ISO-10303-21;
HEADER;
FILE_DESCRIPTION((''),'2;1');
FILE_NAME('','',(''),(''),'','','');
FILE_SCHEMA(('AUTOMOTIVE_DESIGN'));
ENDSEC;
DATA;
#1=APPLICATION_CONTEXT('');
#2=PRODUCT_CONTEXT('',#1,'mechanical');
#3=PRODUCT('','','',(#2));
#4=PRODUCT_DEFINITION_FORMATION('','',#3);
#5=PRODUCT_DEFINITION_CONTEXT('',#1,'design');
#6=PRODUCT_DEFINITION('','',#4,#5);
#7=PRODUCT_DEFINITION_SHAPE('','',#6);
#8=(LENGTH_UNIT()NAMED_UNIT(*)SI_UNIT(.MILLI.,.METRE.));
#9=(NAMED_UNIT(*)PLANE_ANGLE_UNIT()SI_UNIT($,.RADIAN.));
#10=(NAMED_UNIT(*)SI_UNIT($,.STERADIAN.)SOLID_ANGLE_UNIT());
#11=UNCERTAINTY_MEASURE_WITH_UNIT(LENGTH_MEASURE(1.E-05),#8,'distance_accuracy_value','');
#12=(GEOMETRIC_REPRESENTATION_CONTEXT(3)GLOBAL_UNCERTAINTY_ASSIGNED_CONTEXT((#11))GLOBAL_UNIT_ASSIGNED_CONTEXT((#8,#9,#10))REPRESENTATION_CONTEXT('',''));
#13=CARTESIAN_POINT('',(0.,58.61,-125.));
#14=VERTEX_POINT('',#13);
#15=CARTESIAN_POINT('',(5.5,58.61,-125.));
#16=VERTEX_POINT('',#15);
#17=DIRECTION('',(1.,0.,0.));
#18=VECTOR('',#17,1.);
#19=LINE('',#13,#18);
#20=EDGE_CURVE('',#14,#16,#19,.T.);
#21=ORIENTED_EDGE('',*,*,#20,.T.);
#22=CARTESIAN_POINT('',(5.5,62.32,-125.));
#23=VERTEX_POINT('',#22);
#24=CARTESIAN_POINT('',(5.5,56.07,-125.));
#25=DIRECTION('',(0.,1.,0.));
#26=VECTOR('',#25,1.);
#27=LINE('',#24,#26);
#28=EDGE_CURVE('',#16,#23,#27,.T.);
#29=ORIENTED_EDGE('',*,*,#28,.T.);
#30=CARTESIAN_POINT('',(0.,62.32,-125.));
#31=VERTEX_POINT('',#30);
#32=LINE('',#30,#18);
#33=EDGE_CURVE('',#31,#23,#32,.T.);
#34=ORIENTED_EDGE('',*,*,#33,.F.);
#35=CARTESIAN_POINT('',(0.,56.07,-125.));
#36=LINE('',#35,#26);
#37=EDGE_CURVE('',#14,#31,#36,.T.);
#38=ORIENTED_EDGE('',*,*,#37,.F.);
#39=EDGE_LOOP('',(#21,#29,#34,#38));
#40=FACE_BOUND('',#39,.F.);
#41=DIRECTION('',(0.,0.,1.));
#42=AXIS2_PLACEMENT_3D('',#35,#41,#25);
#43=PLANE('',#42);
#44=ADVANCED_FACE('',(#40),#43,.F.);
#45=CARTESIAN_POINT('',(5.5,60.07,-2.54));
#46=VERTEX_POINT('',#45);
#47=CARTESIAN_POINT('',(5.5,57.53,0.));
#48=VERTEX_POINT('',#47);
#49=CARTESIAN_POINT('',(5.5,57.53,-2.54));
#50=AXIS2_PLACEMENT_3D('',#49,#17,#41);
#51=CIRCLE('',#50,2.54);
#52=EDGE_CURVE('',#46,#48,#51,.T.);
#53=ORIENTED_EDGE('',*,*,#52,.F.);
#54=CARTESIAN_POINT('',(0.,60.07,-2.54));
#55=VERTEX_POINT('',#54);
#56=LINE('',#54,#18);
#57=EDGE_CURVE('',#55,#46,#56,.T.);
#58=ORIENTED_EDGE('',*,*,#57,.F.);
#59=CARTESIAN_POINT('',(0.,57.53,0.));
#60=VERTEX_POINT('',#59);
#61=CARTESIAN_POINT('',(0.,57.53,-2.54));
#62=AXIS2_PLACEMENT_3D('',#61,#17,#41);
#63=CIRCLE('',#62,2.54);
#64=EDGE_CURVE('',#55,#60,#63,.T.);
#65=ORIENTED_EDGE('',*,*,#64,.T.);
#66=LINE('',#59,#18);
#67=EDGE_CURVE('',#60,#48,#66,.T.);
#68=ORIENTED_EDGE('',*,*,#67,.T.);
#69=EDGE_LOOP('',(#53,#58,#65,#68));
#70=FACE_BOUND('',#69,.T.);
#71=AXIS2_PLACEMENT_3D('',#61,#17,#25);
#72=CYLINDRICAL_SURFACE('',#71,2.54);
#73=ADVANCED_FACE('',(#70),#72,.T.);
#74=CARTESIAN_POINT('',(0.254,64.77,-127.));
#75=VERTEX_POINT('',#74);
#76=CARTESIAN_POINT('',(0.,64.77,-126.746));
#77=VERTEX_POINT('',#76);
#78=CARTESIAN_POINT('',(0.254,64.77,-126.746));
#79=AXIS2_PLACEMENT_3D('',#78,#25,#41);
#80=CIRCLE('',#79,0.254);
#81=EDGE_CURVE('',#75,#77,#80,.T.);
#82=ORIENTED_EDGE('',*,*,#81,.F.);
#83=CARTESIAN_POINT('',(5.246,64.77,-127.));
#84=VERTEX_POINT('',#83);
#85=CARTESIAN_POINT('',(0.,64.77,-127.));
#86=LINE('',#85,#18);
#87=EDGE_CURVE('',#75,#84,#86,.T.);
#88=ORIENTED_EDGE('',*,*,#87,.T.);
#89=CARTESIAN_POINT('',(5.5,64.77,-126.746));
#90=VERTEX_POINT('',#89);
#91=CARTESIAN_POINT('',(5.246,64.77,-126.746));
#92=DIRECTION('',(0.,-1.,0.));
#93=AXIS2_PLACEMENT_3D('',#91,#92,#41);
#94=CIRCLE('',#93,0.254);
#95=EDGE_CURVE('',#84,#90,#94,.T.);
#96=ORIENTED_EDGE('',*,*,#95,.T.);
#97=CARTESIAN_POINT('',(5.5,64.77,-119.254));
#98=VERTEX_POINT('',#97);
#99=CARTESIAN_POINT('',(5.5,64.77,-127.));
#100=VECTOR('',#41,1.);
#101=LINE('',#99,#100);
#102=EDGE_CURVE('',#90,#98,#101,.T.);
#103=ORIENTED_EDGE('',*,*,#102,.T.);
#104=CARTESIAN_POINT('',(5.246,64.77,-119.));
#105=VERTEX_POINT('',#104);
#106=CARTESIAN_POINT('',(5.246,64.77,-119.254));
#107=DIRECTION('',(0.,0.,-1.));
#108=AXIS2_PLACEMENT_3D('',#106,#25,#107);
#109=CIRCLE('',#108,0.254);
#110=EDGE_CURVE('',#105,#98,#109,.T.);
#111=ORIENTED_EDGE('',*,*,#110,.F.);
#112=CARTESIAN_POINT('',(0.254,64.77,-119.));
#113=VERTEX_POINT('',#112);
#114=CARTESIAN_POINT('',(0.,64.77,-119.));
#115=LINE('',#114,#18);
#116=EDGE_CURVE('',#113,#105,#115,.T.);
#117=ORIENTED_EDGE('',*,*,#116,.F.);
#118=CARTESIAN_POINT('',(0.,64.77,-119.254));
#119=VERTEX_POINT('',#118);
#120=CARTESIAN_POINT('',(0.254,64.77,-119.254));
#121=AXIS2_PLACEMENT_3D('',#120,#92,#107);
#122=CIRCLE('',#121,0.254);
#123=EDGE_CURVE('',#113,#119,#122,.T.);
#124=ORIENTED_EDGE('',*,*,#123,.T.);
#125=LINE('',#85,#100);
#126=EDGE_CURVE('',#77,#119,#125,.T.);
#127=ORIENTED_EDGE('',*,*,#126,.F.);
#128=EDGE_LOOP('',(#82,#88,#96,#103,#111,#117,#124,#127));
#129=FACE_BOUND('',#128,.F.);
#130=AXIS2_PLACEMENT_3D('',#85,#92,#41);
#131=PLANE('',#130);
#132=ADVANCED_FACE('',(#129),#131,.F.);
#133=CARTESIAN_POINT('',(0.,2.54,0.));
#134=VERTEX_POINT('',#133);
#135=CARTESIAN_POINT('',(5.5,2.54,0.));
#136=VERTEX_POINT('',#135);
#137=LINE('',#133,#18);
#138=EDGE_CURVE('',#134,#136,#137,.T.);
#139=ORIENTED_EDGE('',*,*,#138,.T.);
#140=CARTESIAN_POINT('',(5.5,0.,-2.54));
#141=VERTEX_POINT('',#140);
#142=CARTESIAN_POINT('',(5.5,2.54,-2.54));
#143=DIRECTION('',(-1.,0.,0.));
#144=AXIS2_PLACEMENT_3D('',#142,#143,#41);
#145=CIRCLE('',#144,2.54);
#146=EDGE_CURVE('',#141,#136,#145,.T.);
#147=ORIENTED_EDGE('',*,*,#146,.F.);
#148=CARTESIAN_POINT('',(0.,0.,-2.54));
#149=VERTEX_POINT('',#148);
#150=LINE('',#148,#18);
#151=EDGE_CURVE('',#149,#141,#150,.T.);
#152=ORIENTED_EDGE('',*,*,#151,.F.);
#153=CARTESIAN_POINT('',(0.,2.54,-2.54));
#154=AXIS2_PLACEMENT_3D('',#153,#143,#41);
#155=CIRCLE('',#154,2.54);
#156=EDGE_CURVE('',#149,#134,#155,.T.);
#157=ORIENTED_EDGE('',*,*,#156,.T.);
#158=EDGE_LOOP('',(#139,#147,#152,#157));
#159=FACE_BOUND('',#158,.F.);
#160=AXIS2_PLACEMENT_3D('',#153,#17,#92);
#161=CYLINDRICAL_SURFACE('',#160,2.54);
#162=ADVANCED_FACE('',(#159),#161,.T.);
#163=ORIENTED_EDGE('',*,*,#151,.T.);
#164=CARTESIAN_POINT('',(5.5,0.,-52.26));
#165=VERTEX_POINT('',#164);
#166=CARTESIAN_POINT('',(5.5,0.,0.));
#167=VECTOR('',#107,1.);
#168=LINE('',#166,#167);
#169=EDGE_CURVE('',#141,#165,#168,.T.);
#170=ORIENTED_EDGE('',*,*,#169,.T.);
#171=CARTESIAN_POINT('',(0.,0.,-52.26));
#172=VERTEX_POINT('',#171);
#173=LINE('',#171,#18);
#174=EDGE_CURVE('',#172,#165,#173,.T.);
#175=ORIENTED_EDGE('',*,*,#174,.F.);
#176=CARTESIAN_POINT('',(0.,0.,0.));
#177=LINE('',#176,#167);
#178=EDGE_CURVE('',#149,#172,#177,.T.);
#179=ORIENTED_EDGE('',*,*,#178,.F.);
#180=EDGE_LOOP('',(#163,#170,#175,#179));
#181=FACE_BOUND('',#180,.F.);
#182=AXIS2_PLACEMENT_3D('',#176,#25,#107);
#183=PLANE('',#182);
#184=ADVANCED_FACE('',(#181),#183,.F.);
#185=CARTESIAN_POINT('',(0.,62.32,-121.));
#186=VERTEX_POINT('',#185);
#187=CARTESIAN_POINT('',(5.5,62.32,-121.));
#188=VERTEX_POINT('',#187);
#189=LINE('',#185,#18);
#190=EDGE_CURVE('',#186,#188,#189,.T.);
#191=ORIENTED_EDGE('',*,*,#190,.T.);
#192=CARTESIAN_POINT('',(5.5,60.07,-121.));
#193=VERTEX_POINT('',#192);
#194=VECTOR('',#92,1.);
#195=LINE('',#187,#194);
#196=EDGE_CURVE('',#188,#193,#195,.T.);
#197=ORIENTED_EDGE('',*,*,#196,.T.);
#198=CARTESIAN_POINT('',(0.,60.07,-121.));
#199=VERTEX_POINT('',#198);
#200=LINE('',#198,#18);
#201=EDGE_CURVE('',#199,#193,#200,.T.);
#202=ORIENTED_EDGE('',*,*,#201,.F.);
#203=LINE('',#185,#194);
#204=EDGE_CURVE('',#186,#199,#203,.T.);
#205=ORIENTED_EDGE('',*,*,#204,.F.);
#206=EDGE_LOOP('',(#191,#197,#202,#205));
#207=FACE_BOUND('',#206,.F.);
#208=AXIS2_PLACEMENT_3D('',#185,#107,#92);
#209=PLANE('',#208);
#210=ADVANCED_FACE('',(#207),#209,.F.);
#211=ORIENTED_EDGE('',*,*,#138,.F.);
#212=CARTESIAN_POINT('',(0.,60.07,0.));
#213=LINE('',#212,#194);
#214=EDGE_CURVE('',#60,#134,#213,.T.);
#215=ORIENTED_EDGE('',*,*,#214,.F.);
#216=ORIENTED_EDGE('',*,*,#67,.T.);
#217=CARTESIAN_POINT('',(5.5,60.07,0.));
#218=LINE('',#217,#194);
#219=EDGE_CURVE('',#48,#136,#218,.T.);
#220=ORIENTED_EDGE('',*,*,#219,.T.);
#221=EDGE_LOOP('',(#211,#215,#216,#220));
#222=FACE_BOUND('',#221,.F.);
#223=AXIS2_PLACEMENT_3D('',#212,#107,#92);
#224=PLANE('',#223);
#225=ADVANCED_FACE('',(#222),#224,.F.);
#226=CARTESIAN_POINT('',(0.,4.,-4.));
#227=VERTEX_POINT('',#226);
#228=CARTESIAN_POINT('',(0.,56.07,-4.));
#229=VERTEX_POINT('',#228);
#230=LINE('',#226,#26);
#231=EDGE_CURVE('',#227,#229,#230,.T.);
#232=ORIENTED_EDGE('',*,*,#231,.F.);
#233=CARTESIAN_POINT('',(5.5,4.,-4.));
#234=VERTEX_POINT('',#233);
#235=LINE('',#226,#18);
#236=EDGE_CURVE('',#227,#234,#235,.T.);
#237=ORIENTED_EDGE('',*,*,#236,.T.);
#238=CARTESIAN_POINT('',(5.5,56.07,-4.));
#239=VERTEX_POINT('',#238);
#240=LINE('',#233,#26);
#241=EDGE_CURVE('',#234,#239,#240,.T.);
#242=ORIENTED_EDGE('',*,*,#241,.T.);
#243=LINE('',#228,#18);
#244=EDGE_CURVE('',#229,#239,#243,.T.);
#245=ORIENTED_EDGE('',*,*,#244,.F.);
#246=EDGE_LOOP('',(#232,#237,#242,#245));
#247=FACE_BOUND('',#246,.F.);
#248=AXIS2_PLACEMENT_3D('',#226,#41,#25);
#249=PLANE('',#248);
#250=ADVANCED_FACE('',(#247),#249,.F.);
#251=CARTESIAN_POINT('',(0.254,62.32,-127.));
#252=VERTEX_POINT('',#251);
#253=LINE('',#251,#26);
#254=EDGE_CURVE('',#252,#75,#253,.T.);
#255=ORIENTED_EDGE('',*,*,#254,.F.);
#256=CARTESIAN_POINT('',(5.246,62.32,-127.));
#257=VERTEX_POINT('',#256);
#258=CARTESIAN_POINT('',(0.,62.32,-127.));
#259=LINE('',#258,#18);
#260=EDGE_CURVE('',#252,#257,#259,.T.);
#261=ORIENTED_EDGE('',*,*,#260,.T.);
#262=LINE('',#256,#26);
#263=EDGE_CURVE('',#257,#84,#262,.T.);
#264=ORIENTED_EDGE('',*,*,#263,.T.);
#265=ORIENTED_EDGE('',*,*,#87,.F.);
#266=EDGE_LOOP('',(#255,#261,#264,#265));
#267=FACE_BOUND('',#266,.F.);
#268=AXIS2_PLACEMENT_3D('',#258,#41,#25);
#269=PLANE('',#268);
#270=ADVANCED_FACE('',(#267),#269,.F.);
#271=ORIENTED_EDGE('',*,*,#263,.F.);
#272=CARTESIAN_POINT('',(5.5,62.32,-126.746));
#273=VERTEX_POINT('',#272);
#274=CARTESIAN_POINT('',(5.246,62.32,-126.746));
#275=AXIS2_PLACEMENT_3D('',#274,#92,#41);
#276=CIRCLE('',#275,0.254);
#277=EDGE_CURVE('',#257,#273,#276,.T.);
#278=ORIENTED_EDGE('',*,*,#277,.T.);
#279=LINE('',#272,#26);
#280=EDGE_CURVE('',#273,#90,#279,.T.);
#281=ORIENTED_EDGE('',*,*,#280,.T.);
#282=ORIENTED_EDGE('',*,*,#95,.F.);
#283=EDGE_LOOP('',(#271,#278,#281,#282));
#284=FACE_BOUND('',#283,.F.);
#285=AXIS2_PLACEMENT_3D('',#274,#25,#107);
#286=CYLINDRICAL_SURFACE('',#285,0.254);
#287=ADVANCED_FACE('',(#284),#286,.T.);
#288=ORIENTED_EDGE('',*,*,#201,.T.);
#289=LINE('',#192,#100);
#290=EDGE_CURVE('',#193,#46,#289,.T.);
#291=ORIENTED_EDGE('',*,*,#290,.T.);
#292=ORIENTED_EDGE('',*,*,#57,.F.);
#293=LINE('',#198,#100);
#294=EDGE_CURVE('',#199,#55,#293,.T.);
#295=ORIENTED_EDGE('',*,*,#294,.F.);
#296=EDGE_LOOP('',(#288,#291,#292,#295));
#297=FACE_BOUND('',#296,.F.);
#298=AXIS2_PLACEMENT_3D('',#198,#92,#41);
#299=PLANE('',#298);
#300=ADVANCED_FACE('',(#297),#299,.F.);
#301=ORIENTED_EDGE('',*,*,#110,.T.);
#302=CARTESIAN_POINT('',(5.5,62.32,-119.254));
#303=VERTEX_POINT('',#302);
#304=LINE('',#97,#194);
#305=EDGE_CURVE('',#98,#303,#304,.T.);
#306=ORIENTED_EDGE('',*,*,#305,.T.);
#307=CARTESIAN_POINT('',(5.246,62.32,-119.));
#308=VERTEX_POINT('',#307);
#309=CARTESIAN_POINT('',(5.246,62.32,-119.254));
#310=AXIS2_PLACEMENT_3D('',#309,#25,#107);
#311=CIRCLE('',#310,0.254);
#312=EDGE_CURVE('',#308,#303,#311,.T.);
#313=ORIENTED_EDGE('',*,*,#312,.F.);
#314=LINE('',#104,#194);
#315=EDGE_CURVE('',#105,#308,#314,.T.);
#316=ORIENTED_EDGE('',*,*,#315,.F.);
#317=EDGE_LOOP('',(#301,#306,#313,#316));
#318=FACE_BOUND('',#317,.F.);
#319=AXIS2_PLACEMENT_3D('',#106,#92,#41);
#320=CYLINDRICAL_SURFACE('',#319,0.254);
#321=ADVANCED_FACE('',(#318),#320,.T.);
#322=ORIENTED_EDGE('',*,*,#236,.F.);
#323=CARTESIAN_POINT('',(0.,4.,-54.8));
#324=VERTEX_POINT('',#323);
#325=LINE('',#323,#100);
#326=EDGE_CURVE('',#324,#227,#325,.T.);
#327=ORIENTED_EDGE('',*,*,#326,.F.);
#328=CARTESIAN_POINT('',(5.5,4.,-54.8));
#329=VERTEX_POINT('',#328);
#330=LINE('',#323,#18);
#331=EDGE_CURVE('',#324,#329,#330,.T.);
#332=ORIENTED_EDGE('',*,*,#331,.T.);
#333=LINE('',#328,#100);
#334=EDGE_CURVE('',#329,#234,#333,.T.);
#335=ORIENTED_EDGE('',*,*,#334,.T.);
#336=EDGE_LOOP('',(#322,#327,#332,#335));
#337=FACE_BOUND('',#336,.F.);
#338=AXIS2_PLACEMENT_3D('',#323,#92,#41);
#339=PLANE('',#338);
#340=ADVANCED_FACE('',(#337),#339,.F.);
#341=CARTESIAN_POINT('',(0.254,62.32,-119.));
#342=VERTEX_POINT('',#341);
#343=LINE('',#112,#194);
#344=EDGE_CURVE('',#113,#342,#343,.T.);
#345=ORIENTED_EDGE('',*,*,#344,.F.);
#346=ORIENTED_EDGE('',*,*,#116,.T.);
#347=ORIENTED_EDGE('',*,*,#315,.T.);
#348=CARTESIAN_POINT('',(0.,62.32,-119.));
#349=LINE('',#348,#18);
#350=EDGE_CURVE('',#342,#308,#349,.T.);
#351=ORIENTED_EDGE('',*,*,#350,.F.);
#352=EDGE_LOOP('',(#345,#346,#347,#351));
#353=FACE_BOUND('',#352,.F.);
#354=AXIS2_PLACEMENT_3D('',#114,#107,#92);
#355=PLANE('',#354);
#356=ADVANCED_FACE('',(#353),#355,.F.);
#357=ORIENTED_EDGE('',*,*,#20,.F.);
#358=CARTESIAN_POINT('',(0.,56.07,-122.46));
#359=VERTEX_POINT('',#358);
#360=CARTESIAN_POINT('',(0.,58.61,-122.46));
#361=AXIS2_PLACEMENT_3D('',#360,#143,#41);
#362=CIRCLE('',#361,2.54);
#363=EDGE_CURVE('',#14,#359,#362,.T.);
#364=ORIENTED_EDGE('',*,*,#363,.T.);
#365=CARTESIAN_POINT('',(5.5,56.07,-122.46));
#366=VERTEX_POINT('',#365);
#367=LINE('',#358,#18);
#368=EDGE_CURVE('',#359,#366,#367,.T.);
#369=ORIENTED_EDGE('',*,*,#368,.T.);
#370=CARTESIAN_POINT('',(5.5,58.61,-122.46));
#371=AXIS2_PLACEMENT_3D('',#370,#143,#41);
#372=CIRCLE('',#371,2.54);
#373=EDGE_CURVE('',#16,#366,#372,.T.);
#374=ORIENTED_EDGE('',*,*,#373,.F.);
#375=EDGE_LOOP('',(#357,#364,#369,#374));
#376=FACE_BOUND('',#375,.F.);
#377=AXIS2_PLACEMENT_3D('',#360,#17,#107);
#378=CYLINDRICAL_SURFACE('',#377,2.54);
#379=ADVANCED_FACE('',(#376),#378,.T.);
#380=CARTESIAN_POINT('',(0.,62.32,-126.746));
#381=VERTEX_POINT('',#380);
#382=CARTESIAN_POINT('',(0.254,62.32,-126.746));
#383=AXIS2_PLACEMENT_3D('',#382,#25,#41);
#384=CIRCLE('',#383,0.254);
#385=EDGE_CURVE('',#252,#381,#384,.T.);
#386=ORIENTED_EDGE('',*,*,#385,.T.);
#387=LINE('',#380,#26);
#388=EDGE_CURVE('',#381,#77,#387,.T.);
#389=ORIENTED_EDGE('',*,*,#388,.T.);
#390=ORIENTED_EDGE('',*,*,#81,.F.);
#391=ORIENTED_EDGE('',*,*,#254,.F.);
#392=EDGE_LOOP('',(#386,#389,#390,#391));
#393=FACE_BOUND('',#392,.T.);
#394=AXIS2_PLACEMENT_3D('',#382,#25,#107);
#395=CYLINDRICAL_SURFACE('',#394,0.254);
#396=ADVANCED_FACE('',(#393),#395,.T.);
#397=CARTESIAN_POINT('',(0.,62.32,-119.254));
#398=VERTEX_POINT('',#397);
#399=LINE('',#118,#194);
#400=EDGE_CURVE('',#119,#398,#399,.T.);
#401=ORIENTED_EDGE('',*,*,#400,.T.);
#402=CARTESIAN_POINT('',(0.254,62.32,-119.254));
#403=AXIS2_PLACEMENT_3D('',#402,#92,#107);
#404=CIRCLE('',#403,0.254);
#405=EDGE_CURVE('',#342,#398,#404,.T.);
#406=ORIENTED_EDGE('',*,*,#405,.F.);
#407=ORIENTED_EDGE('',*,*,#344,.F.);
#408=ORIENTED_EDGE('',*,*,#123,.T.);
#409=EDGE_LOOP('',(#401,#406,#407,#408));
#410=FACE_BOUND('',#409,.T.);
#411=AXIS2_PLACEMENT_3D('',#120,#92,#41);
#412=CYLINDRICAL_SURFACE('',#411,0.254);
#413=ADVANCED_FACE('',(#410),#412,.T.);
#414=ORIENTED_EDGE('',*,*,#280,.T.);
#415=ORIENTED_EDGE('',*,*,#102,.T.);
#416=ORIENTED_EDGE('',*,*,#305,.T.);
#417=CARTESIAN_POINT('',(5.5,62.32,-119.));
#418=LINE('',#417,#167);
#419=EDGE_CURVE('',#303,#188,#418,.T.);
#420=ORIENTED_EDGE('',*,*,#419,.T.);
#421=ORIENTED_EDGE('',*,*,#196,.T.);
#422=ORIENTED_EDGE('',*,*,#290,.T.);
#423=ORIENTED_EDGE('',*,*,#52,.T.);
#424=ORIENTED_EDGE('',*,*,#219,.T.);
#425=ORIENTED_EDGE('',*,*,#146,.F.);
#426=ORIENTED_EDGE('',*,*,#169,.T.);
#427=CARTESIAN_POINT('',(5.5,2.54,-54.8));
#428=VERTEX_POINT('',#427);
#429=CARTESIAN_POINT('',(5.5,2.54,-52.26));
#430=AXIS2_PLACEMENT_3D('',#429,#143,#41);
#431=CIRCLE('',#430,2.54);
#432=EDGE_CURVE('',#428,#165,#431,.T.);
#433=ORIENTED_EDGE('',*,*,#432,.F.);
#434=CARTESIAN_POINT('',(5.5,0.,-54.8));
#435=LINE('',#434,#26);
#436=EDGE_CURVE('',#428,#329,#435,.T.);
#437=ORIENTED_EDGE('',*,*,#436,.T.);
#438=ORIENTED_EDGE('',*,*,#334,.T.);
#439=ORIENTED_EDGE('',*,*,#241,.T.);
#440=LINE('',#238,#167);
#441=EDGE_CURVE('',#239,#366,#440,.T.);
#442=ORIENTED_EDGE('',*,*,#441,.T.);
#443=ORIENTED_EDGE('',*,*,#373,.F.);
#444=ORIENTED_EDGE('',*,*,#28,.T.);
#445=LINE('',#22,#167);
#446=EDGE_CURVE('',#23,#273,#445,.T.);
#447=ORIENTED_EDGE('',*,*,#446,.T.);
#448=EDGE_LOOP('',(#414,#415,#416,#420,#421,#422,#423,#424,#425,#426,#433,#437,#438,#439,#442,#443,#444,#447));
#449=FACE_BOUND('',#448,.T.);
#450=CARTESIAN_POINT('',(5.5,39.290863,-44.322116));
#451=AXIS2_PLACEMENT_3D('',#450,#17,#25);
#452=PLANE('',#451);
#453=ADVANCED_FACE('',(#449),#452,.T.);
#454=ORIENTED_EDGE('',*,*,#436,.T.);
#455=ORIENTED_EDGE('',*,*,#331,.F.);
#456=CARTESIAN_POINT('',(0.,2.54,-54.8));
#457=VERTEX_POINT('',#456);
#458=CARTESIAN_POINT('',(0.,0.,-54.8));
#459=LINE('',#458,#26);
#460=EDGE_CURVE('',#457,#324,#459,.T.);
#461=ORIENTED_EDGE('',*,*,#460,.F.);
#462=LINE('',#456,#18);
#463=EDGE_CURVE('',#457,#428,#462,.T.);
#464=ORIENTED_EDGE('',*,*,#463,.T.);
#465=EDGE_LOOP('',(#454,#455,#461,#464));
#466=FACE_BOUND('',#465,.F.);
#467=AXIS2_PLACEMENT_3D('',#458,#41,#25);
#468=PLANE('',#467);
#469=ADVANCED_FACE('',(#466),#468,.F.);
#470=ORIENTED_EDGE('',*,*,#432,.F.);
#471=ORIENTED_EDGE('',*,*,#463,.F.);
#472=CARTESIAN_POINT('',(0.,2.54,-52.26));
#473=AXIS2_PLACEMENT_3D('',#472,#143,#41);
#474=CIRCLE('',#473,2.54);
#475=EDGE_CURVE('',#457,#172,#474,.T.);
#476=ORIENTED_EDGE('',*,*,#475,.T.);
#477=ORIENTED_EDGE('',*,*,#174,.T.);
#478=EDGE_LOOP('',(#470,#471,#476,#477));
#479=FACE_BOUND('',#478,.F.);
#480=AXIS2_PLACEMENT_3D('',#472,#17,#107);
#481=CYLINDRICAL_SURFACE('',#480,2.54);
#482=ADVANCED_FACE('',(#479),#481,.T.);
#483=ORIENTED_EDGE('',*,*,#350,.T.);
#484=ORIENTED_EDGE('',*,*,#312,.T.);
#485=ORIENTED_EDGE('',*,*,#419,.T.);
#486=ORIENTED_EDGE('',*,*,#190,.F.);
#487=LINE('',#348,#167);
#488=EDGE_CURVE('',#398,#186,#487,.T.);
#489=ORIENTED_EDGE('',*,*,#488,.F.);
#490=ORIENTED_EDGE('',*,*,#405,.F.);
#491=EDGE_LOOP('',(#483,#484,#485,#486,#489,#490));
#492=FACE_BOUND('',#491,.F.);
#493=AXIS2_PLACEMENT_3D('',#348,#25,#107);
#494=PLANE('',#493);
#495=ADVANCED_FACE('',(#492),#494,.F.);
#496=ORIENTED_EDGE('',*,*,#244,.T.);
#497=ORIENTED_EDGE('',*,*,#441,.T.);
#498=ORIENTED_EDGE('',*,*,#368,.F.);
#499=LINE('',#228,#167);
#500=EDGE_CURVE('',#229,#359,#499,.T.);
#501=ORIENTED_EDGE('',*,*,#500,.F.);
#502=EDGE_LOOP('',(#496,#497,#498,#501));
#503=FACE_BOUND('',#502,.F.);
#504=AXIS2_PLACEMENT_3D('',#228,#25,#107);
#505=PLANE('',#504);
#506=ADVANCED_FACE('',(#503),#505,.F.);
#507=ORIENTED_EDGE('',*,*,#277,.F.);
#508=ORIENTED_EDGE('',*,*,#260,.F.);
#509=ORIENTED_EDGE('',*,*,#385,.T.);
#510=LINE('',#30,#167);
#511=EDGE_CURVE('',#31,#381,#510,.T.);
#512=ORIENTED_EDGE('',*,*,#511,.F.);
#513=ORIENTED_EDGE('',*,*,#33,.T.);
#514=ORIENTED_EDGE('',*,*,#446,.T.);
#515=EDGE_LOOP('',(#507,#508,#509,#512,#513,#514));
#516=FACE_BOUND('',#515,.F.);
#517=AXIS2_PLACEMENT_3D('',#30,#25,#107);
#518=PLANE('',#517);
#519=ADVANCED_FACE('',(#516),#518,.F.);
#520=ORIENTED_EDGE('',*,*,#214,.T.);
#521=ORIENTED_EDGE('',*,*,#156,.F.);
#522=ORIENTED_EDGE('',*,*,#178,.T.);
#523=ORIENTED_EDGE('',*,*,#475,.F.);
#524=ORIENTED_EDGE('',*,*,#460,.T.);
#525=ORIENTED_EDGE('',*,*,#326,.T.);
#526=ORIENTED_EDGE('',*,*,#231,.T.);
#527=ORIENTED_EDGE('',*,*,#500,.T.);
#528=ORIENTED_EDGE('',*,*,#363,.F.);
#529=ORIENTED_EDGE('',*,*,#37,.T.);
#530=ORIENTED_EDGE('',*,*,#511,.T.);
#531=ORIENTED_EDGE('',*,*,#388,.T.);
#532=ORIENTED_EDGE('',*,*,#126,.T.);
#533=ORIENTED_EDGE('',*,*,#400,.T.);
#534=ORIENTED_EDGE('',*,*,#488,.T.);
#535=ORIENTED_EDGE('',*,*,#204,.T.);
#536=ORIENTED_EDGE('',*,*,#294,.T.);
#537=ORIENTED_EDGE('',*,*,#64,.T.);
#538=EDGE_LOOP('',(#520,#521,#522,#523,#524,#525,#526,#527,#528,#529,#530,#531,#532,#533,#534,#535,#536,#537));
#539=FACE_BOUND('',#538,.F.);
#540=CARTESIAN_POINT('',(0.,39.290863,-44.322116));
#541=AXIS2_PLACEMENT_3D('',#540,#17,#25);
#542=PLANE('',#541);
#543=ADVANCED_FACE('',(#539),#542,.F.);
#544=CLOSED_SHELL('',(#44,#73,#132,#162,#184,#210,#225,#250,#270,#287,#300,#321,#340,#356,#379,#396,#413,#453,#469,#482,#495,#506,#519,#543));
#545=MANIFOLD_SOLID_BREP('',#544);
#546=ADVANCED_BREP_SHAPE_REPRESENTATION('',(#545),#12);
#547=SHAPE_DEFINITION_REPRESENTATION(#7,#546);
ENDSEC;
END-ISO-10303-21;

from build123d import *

# Parameters (mm, degrees)
F1_DEPTH = 5.5
F2_R     = 0.254
F3_R     = 2.54


with BuildPart() as f1:
    # F0 (on Right) → F1 (new body)
    with BuildSketch(Plane.YZ):
        Polygon((0, 0), (0, -29.4), (0, -54.8), (4, -54.8), (4, -4), (56.07, -4), (56.07, -125), (60.07, -125), (62.32, -125), (62.32, -127), (64.77, -127), (64.77, -119), (62.32, -119), (62.32, -121), (60.07, -121), (60.07, 0), align=None)
    extrude(amount=F1_DEPTH)

    # F2
    f2_edges = [f1.edges().sort_by_distance(p)[0] for p in [
        (5.5, 63.545, -119),
        (5.5, 63.545, -127),
        (0, 63.545, -119),
        (0, 63.545, -127),
    ]]
    fillet(f2_edges, radius=F2_R)

    # F3
    f3_edges = [f1.edges().sort_by_distance(p)[0] for p in [
        (2.75, 60.07, 0),
        (2.75, 0, 0),
        (2.75, 56.07, -125),
        (2.75, 0, -54.8),
    ]]
    fillet(f3_edges, radius=F3_R)


solid = f1.part
